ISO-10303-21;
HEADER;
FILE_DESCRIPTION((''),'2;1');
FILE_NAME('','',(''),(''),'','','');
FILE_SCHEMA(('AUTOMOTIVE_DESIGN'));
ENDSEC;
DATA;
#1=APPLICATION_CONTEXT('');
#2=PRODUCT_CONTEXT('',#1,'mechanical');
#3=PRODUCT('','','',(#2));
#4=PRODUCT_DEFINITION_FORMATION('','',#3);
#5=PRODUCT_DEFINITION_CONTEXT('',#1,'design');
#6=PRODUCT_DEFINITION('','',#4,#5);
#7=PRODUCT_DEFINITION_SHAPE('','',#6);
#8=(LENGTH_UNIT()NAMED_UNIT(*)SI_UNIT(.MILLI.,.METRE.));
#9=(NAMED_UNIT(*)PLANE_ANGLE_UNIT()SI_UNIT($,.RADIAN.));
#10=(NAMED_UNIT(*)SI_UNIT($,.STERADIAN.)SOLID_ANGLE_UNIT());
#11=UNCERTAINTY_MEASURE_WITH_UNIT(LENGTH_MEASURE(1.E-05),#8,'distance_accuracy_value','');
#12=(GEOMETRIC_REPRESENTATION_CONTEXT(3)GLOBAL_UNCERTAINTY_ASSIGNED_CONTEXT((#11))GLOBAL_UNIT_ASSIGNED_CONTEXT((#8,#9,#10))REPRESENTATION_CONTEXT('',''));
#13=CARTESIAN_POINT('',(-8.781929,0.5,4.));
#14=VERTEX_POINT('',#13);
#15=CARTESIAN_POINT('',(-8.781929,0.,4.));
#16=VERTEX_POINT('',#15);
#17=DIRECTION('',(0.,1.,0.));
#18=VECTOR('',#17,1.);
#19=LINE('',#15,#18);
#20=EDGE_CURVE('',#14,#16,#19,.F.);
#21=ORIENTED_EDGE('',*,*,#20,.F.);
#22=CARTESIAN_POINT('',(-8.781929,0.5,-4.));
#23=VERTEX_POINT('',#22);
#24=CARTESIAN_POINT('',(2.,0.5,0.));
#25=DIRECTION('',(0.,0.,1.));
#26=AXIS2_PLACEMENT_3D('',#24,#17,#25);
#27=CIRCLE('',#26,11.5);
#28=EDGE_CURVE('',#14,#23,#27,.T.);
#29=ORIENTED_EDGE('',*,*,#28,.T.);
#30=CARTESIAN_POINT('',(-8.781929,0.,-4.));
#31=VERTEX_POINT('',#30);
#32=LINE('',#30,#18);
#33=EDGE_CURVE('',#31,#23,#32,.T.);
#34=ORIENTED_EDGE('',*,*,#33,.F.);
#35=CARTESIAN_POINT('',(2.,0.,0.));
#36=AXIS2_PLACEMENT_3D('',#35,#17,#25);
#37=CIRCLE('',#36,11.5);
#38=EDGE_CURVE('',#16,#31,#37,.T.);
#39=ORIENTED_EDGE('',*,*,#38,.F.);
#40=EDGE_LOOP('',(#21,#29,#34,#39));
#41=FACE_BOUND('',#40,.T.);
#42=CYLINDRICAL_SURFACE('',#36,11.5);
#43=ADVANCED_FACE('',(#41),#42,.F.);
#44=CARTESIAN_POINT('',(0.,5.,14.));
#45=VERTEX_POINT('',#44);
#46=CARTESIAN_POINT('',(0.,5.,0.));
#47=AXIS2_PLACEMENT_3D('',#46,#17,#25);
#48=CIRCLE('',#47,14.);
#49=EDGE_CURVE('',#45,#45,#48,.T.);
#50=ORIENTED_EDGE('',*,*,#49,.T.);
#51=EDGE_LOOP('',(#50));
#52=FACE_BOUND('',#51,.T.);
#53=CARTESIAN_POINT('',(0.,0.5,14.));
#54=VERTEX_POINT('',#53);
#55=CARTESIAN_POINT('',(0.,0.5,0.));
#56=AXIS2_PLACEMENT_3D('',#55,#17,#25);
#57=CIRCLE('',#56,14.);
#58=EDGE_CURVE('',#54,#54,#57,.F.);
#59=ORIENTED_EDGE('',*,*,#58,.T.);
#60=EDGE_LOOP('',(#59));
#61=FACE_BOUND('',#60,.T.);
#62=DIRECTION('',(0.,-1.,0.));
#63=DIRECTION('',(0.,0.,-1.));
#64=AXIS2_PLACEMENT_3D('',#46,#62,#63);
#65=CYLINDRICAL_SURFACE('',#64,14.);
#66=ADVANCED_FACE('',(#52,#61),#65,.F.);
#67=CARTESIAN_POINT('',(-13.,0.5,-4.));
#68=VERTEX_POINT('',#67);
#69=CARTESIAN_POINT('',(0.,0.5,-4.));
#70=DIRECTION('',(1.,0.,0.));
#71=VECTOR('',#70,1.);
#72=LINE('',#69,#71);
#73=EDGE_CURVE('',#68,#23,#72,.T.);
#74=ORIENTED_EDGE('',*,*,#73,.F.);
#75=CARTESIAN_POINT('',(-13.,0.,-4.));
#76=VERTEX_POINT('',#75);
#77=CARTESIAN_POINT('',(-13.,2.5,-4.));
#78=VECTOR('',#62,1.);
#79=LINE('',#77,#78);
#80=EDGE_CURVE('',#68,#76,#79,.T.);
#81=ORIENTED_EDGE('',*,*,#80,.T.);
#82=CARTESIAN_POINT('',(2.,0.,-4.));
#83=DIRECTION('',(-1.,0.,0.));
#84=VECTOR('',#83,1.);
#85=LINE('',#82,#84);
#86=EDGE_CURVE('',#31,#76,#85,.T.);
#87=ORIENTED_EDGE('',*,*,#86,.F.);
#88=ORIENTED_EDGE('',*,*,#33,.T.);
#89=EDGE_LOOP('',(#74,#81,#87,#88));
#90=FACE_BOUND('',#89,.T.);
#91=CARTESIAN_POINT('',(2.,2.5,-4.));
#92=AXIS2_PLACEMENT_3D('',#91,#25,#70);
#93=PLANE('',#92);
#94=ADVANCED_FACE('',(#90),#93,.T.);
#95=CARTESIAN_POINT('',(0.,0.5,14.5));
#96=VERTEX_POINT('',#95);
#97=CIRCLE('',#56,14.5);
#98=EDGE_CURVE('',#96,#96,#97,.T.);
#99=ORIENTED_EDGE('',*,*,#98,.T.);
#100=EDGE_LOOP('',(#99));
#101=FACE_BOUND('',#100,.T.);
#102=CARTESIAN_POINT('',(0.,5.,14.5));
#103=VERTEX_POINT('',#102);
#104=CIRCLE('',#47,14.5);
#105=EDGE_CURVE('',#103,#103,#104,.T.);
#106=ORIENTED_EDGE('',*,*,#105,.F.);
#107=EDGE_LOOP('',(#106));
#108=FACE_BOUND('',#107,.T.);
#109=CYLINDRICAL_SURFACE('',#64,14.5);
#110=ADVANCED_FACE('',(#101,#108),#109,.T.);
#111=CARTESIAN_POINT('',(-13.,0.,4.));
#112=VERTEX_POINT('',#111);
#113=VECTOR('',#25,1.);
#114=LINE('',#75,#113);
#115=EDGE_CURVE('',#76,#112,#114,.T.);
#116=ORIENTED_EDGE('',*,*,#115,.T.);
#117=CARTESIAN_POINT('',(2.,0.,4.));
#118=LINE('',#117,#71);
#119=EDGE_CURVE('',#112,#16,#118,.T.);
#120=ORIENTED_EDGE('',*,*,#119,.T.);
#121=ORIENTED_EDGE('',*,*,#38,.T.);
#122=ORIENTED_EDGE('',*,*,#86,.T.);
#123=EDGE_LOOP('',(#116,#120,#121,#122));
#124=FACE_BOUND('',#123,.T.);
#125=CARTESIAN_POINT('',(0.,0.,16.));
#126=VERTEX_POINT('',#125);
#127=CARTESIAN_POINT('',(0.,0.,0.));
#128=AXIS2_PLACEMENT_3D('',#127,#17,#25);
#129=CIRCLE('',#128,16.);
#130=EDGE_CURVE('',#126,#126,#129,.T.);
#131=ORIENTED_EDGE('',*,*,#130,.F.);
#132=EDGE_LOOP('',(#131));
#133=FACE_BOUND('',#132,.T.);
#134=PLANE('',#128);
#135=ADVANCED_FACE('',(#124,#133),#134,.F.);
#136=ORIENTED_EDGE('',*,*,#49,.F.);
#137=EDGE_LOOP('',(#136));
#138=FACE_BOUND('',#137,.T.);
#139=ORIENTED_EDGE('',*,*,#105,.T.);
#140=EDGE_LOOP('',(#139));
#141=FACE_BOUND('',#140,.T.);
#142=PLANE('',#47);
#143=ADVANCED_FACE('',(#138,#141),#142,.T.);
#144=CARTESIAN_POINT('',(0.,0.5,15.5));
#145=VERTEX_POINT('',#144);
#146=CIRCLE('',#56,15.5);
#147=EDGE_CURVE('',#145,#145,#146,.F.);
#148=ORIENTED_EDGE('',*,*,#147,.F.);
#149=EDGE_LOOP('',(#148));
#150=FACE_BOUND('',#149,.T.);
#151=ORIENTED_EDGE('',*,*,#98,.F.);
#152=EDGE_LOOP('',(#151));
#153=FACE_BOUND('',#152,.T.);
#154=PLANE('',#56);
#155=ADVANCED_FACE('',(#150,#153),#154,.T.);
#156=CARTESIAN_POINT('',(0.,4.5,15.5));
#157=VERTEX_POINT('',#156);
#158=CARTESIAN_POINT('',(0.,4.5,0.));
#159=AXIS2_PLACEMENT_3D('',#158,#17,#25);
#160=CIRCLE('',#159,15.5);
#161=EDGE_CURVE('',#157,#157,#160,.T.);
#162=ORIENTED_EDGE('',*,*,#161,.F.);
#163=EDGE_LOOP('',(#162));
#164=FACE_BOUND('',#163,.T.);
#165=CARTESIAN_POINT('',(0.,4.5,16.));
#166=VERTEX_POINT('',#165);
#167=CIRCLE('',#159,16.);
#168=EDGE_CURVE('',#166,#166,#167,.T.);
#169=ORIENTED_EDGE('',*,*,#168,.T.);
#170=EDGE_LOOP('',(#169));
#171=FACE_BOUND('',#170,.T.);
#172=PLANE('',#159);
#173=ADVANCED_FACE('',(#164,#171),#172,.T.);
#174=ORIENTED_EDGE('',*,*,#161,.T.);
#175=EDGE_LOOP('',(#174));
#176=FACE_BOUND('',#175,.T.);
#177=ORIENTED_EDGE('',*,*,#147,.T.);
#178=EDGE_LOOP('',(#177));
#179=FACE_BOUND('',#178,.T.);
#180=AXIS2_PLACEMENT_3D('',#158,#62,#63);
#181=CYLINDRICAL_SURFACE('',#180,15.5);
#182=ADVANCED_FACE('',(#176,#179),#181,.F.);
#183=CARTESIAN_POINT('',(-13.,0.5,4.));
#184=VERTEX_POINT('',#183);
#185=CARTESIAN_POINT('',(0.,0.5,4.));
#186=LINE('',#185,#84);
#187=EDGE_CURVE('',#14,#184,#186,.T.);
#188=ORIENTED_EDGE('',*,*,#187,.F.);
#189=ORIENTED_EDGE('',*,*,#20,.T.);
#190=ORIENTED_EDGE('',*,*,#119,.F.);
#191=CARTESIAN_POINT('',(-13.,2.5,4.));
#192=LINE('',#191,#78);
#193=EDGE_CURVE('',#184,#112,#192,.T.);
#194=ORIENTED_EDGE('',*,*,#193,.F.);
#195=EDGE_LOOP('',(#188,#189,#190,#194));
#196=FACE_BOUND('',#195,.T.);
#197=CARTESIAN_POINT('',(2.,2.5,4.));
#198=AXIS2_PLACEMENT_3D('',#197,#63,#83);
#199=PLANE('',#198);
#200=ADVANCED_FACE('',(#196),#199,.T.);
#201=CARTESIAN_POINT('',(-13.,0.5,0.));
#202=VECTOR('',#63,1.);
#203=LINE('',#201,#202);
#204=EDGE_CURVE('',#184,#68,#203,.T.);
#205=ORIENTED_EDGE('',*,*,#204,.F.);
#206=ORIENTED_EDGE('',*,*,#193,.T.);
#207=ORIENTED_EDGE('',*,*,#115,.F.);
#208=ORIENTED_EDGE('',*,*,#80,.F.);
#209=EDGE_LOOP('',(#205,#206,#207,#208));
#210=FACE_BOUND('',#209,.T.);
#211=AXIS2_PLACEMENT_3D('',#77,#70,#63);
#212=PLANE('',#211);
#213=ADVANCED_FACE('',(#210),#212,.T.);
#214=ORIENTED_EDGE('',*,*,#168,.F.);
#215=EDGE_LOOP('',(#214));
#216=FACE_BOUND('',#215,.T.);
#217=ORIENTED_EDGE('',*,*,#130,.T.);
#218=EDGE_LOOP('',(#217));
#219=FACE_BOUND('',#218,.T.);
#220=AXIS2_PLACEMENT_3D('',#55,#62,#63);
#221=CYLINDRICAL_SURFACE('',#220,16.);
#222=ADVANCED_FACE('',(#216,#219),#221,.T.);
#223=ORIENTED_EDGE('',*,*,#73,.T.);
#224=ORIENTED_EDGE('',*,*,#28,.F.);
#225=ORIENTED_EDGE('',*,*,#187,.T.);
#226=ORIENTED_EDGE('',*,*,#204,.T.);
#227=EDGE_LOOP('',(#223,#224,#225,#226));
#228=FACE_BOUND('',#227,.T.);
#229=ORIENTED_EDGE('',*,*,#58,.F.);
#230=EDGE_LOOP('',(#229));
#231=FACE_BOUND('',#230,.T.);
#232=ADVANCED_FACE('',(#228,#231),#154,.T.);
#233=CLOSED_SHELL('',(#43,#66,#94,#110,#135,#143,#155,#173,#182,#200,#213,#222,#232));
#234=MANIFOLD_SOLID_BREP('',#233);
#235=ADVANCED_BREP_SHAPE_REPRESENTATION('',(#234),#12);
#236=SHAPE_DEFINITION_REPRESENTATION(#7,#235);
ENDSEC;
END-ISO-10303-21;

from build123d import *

# Parameters (mm, degrees)
SKETCH1_R           = 16
BOSS_EXTRUDE1_DEPTH = 0.5
SKETCH2_R           = 11.5
CUT_EXTRUDE1_DEPTH  = 0.5
SKETCH3_W           = 15
SKETCH3_H           = 8
CUT_EXTRUDE4_DEPTH  = 2.5
SKETCH4_R           = 16
SKETCH4_R_2         = 15.5
BOSS_EXTRUDE2_DEPTH = 4.5
SKETCH5_R           = 14.5
SKETCH5_R_2         = 14
BOSS_EXTRUDE3_DEPTH = 4.5


with BuildPart() as part:
    # Sketch1 → Boss-Extrude1 (new body)
    with BuildSketch(Plane(origin=(0, 0, 0), x_dir=(1, 0, 0), z_dir=(0, 1, 0))):
        with Locations(Location((0, 0, 0), (0, 0, 270))):
            Circle(SKETCH1_R)
    extrude(amount=BOSS_EXTRUDE1_DEPTH)

    # Sketch2 → Cut-Extrude1 (cut)
    with BuildSketch(Plane(origin=(0, 0.5, 0), x_dir=(1, 0, 0), z_dir=(0, 1, 0))):
        with Locations(Location((2, 0, 0), (0, 0, 270))):
            Circle(SKETCH2_R)
    extrude(amount=-CUT_EXTRUDE1_DEPTH, mode=Mode.SUBTRACT)

    # Sketch3 → Cut-Extrude4 (cut)
    with BuildSketch(Plane(origin=(0, 0, 0), x_dir=(1, 0, 0), z_dir=(0, 1, 0))):
        with Locations((-5.5, 0)):
            Rectangle(SKETCH3_W, SKETCH3_H)
    extrude(amount=CUT_EXTRUDE4_DEPTH, mode=Mode.SUBTRACT)

    # Sketch4 → Boss-Extrude2 (add)
    with BuildSketch(Plane(origin=(0, 0, 0), x_dir=(1, 0, 0), z_dir=(0, 1, 0))):
        with Locations(Location((0, 0, 0), (0, 0, 270))):
            Circle(SKETCH4_R)
        with Locations(Location((0, 0, 0), (0, 0, 270))):
            Circle(SKETCH4_R_2, mode=Mode.SUBTRACT)
    extrude(amount=BOSS_EXTRUDE2_DEPTH)

    # Sketch5 → Boss-Extrude3 (add)
    with BuildSketch(Plane(origin=(0, 0.5, 0), x_dir=(1, 0, 0), z_dir=(0, 1, 0))):
        with Locations(Location((0, 0, 0), (0, 0, 270))):
            Circle(SKETCH5_R)
        with Locations(Location((0, 0, 0), (0, 0, 270))):
            Circle(SKETCH5_R_2, mode=Mode.SUBTRACT)
    extrude(amount=BOSS_EXTRUDE3_DEPTH)


solid = part.part
